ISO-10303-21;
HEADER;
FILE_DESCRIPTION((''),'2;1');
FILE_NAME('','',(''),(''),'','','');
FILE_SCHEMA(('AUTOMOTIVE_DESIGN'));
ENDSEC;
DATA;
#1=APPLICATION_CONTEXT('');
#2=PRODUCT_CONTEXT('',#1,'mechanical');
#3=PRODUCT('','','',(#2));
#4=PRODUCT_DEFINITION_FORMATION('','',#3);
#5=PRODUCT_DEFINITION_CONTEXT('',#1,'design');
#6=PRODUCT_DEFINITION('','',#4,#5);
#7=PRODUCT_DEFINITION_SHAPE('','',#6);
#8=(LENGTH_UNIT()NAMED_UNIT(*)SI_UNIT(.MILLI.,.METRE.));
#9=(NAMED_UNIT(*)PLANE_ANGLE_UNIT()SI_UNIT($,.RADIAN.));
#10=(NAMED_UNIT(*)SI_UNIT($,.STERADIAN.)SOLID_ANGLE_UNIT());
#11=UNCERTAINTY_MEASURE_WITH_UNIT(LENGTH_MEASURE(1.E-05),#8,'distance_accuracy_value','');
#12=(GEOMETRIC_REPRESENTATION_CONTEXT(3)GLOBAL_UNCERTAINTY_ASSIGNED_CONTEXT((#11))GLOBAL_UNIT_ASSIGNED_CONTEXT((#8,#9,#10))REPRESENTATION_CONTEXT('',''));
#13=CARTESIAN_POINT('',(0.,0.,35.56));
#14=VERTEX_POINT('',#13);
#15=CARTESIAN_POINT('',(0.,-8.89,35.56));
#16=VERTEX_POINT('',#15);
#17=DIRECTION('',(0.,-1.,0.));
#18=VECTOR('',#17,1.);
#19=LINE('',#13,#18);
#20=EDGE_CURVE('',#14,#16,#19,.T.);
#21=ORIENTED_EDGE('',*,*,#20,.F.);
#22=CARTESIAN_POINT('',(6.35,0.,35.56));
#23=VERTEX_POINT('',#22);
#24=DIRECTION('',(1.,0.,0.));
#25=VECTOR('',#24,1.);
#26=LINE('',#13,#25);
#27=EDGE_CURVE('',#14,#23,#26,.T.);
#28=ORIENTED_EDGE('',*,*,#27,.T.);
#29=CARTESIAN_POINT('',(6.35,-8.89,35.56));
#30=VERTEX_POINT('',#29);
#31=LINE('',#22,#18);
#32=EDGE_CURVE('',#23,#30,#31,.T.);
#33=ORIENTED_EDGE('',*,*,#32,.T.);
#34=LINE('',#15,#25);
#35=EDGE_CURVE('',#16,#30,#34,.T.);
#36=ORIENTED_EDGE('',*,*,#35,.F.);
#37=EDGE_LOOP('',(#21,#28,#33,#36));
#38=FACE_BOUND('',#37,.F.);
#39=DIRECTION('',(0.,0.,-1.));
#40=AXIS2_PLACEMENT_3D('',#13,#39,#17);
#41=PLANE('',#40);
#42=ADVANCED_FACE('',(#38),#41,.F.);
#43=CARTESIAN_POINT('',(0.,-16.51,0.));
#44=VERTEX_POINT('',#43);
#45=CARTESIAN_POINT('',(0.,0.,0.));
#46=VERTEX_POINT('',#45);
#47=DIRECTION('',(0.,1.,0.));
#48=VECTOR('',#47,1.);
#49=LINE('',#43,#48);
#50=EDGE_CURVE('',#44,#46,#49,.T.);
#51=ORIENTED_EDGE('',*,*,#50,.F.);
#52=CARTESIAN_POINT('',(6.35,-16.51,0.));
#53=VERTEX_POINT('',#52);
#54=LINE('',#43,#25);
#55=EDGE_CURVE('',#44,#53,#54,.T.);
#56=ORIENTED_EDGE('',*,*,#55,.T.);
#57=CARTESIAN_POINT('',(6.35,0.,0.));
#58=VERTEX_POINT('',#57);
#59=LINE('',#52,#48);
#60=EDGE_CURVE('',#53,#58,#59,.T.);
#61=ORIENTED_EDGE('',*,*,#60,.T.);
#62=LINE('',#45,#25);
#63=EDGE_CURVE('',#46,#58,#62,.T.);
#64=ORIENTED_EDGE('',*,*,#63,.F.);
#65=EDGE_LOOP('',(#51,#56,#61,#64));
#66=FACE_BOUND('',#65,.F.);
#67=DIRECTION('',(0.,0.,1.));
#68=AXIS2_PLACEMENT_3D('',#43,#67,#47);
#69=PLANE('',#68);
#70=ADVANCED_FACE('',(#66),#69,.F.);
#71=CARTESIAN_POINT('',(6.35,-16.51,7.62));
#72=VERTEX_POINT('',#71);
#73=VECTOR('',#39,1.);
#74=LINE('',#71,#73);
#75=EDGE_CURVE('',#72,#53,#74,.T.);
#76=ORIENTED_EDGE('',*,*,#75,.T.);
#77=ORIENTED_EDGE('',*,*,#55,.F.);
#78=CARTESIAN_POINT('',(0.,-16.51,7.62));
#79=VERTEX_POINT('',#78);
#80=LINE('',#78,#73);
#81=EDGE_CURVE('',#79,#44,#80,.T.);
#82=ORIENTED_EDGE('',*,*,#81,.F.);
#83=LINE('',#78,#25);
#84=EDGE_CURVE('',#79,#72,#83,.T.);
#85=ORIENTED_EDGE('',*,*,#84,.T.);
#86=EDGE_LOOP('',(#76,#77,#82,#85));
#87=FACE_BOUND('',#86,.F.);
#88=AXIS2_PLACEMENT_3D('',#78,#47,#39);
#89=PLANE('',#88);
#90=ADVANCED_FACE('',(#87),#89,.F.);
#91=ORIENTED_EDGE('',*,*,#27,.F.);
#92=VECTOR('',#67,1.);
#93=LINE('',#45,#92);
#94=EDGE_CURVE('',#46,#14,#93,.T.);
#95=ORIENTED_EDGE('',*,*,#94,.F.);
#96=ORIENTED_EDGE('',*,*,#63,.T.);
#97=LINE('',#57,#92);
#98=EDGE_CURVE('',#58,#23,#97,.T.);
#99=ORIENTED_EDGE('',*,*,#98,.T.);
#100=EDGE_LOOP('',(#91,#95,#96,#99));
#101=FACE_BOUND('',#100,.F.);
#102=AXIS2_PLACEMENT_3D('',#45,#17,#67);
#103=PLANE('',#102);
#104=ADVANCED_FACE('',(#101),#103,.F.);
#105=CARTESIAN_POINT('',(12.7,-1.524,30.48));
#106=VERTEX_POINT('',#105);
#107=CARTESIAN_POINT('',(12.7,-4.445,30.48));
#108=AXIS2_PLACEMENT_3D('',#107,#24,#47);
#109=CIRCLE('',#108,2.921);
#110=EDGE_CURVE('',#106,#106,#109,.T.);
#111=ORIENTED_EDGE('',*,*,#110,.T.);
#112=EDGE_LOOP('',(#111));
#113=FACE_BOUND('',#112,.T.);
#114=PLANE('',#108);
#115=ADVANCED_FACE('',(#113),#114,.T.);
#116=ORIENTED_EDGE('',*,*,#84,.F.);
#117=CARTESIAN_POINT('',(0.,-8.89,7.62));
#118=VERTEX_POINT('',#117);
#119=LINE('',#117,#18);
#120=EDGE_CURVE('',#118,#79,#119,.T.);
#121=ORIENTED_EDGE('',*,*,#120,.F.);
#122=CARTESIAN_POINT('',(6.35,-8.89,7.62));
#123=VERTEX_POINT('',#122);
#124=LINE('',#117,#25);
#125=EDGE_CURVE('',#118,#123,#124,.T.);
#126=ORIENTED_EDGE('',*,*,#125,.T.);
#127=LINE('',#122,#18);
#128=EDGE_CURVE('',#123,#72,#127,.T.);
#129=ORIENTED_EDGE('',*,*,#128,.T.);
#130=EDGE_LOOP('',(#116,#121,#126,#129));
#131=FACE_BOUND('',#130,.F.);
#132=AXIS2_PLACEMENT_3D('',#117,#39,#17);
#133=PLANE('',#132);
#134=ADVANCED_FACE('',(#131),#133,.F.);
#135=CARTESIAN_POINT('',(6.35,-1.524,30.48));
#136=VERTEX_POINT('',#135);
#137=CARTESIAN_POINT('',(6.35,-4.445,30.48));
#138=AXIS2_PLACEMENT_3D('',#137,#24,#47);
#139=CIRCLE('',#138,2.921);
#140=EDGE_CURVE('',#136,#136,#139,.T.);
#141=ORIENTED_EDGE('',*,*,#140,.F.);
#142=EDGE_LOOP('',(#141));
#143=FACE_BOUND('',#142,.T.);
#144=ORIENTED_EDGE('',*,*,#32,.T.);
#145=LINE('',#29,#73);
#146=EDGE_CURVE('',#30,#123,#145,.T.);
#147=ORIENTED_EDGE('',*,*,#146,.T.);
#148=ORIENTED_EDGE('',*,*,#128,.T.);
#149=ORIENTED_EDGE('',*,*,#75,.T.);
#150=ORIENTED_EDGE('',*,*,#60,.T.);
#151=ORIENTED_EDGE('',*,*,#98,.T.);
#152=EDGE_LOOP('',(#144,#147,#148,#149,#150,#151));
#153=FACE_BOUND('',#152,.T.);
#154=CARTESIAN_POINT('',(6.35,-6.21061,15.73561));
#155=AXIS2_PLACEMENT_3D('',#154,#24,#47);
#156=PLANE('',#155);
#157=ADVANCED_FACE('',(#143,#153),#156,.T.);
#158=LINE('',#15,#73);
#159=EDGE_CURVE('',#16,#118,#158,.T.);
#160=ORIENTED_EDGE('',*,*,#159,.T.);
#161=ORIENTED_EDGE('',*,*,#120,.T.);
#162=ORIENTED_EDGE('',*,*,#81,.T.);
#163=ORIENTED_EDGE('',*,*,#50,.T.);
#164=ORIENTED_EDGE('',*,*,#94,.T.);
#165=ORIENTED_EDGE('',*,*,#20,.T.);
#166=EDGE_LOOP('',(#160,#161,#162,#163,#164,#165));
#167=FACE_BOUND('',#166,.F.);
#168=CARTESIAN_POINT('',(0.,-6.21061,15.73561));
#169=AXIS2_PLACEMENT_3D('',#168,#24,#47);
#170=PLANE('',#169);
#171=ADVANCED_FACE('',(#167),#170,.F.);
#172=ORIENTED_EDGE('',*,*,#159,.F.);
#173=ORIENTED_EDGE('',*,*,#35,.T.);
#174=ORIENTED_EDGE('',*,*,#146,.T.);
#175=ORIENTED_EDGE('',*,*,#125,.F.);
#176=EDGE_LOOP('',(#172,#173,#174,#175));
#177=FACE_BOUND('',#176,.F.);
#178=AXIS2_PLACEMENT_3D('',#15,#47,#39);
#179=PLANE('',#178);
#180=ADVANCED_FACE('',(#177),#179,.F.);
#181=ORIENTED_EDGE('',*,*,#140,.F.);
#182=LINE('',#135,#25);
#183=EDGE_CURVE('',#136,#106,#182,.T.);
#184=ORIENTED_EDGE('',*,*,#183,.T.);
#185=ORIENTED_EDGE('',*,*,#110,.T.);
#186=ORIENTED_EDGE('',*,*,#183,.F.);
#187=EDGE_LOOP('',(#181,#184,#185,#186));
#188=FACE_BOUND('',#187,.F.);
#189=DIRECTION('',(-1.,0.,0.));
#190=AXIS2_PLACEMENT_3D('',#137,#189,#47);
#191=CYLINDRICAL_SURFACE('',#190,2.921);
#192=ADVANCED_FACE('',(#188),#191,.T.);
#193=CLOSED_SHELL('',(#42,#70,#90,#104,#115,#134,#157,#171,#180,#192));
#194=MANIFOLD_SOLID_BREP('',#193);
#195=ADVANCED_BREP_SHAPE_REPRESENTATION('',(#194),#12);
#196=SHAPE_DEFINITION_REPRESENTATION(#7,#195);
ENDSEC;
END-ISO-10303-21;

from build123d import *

# Parameters (mm, degrees)
F1_DEPTH = 6.35
F2_R     = 2.921
F3_DEPTH = 6.35


with BuildPart() as f1:
    # F0 (on Right) → F1 (new body)
    with BuildSketch(Plane.YZ):
        Polygon((-16.51, 0), (0, 0), (0, 35.56), (-8.89, 35.56), (-8.89, 7.62), (-16.51, 7.62), align=None)
    extrude(amount=F1_DEPTH)

    # F2 (on face) → F3 (join)
    with BuildSketch(Plane.YZ.offset(6.35)):
        with Locations((-4.445, 30.48)):
            Circle(F2_R)
    extrude(amount=F3_DEPTH)


solid = f1.part
